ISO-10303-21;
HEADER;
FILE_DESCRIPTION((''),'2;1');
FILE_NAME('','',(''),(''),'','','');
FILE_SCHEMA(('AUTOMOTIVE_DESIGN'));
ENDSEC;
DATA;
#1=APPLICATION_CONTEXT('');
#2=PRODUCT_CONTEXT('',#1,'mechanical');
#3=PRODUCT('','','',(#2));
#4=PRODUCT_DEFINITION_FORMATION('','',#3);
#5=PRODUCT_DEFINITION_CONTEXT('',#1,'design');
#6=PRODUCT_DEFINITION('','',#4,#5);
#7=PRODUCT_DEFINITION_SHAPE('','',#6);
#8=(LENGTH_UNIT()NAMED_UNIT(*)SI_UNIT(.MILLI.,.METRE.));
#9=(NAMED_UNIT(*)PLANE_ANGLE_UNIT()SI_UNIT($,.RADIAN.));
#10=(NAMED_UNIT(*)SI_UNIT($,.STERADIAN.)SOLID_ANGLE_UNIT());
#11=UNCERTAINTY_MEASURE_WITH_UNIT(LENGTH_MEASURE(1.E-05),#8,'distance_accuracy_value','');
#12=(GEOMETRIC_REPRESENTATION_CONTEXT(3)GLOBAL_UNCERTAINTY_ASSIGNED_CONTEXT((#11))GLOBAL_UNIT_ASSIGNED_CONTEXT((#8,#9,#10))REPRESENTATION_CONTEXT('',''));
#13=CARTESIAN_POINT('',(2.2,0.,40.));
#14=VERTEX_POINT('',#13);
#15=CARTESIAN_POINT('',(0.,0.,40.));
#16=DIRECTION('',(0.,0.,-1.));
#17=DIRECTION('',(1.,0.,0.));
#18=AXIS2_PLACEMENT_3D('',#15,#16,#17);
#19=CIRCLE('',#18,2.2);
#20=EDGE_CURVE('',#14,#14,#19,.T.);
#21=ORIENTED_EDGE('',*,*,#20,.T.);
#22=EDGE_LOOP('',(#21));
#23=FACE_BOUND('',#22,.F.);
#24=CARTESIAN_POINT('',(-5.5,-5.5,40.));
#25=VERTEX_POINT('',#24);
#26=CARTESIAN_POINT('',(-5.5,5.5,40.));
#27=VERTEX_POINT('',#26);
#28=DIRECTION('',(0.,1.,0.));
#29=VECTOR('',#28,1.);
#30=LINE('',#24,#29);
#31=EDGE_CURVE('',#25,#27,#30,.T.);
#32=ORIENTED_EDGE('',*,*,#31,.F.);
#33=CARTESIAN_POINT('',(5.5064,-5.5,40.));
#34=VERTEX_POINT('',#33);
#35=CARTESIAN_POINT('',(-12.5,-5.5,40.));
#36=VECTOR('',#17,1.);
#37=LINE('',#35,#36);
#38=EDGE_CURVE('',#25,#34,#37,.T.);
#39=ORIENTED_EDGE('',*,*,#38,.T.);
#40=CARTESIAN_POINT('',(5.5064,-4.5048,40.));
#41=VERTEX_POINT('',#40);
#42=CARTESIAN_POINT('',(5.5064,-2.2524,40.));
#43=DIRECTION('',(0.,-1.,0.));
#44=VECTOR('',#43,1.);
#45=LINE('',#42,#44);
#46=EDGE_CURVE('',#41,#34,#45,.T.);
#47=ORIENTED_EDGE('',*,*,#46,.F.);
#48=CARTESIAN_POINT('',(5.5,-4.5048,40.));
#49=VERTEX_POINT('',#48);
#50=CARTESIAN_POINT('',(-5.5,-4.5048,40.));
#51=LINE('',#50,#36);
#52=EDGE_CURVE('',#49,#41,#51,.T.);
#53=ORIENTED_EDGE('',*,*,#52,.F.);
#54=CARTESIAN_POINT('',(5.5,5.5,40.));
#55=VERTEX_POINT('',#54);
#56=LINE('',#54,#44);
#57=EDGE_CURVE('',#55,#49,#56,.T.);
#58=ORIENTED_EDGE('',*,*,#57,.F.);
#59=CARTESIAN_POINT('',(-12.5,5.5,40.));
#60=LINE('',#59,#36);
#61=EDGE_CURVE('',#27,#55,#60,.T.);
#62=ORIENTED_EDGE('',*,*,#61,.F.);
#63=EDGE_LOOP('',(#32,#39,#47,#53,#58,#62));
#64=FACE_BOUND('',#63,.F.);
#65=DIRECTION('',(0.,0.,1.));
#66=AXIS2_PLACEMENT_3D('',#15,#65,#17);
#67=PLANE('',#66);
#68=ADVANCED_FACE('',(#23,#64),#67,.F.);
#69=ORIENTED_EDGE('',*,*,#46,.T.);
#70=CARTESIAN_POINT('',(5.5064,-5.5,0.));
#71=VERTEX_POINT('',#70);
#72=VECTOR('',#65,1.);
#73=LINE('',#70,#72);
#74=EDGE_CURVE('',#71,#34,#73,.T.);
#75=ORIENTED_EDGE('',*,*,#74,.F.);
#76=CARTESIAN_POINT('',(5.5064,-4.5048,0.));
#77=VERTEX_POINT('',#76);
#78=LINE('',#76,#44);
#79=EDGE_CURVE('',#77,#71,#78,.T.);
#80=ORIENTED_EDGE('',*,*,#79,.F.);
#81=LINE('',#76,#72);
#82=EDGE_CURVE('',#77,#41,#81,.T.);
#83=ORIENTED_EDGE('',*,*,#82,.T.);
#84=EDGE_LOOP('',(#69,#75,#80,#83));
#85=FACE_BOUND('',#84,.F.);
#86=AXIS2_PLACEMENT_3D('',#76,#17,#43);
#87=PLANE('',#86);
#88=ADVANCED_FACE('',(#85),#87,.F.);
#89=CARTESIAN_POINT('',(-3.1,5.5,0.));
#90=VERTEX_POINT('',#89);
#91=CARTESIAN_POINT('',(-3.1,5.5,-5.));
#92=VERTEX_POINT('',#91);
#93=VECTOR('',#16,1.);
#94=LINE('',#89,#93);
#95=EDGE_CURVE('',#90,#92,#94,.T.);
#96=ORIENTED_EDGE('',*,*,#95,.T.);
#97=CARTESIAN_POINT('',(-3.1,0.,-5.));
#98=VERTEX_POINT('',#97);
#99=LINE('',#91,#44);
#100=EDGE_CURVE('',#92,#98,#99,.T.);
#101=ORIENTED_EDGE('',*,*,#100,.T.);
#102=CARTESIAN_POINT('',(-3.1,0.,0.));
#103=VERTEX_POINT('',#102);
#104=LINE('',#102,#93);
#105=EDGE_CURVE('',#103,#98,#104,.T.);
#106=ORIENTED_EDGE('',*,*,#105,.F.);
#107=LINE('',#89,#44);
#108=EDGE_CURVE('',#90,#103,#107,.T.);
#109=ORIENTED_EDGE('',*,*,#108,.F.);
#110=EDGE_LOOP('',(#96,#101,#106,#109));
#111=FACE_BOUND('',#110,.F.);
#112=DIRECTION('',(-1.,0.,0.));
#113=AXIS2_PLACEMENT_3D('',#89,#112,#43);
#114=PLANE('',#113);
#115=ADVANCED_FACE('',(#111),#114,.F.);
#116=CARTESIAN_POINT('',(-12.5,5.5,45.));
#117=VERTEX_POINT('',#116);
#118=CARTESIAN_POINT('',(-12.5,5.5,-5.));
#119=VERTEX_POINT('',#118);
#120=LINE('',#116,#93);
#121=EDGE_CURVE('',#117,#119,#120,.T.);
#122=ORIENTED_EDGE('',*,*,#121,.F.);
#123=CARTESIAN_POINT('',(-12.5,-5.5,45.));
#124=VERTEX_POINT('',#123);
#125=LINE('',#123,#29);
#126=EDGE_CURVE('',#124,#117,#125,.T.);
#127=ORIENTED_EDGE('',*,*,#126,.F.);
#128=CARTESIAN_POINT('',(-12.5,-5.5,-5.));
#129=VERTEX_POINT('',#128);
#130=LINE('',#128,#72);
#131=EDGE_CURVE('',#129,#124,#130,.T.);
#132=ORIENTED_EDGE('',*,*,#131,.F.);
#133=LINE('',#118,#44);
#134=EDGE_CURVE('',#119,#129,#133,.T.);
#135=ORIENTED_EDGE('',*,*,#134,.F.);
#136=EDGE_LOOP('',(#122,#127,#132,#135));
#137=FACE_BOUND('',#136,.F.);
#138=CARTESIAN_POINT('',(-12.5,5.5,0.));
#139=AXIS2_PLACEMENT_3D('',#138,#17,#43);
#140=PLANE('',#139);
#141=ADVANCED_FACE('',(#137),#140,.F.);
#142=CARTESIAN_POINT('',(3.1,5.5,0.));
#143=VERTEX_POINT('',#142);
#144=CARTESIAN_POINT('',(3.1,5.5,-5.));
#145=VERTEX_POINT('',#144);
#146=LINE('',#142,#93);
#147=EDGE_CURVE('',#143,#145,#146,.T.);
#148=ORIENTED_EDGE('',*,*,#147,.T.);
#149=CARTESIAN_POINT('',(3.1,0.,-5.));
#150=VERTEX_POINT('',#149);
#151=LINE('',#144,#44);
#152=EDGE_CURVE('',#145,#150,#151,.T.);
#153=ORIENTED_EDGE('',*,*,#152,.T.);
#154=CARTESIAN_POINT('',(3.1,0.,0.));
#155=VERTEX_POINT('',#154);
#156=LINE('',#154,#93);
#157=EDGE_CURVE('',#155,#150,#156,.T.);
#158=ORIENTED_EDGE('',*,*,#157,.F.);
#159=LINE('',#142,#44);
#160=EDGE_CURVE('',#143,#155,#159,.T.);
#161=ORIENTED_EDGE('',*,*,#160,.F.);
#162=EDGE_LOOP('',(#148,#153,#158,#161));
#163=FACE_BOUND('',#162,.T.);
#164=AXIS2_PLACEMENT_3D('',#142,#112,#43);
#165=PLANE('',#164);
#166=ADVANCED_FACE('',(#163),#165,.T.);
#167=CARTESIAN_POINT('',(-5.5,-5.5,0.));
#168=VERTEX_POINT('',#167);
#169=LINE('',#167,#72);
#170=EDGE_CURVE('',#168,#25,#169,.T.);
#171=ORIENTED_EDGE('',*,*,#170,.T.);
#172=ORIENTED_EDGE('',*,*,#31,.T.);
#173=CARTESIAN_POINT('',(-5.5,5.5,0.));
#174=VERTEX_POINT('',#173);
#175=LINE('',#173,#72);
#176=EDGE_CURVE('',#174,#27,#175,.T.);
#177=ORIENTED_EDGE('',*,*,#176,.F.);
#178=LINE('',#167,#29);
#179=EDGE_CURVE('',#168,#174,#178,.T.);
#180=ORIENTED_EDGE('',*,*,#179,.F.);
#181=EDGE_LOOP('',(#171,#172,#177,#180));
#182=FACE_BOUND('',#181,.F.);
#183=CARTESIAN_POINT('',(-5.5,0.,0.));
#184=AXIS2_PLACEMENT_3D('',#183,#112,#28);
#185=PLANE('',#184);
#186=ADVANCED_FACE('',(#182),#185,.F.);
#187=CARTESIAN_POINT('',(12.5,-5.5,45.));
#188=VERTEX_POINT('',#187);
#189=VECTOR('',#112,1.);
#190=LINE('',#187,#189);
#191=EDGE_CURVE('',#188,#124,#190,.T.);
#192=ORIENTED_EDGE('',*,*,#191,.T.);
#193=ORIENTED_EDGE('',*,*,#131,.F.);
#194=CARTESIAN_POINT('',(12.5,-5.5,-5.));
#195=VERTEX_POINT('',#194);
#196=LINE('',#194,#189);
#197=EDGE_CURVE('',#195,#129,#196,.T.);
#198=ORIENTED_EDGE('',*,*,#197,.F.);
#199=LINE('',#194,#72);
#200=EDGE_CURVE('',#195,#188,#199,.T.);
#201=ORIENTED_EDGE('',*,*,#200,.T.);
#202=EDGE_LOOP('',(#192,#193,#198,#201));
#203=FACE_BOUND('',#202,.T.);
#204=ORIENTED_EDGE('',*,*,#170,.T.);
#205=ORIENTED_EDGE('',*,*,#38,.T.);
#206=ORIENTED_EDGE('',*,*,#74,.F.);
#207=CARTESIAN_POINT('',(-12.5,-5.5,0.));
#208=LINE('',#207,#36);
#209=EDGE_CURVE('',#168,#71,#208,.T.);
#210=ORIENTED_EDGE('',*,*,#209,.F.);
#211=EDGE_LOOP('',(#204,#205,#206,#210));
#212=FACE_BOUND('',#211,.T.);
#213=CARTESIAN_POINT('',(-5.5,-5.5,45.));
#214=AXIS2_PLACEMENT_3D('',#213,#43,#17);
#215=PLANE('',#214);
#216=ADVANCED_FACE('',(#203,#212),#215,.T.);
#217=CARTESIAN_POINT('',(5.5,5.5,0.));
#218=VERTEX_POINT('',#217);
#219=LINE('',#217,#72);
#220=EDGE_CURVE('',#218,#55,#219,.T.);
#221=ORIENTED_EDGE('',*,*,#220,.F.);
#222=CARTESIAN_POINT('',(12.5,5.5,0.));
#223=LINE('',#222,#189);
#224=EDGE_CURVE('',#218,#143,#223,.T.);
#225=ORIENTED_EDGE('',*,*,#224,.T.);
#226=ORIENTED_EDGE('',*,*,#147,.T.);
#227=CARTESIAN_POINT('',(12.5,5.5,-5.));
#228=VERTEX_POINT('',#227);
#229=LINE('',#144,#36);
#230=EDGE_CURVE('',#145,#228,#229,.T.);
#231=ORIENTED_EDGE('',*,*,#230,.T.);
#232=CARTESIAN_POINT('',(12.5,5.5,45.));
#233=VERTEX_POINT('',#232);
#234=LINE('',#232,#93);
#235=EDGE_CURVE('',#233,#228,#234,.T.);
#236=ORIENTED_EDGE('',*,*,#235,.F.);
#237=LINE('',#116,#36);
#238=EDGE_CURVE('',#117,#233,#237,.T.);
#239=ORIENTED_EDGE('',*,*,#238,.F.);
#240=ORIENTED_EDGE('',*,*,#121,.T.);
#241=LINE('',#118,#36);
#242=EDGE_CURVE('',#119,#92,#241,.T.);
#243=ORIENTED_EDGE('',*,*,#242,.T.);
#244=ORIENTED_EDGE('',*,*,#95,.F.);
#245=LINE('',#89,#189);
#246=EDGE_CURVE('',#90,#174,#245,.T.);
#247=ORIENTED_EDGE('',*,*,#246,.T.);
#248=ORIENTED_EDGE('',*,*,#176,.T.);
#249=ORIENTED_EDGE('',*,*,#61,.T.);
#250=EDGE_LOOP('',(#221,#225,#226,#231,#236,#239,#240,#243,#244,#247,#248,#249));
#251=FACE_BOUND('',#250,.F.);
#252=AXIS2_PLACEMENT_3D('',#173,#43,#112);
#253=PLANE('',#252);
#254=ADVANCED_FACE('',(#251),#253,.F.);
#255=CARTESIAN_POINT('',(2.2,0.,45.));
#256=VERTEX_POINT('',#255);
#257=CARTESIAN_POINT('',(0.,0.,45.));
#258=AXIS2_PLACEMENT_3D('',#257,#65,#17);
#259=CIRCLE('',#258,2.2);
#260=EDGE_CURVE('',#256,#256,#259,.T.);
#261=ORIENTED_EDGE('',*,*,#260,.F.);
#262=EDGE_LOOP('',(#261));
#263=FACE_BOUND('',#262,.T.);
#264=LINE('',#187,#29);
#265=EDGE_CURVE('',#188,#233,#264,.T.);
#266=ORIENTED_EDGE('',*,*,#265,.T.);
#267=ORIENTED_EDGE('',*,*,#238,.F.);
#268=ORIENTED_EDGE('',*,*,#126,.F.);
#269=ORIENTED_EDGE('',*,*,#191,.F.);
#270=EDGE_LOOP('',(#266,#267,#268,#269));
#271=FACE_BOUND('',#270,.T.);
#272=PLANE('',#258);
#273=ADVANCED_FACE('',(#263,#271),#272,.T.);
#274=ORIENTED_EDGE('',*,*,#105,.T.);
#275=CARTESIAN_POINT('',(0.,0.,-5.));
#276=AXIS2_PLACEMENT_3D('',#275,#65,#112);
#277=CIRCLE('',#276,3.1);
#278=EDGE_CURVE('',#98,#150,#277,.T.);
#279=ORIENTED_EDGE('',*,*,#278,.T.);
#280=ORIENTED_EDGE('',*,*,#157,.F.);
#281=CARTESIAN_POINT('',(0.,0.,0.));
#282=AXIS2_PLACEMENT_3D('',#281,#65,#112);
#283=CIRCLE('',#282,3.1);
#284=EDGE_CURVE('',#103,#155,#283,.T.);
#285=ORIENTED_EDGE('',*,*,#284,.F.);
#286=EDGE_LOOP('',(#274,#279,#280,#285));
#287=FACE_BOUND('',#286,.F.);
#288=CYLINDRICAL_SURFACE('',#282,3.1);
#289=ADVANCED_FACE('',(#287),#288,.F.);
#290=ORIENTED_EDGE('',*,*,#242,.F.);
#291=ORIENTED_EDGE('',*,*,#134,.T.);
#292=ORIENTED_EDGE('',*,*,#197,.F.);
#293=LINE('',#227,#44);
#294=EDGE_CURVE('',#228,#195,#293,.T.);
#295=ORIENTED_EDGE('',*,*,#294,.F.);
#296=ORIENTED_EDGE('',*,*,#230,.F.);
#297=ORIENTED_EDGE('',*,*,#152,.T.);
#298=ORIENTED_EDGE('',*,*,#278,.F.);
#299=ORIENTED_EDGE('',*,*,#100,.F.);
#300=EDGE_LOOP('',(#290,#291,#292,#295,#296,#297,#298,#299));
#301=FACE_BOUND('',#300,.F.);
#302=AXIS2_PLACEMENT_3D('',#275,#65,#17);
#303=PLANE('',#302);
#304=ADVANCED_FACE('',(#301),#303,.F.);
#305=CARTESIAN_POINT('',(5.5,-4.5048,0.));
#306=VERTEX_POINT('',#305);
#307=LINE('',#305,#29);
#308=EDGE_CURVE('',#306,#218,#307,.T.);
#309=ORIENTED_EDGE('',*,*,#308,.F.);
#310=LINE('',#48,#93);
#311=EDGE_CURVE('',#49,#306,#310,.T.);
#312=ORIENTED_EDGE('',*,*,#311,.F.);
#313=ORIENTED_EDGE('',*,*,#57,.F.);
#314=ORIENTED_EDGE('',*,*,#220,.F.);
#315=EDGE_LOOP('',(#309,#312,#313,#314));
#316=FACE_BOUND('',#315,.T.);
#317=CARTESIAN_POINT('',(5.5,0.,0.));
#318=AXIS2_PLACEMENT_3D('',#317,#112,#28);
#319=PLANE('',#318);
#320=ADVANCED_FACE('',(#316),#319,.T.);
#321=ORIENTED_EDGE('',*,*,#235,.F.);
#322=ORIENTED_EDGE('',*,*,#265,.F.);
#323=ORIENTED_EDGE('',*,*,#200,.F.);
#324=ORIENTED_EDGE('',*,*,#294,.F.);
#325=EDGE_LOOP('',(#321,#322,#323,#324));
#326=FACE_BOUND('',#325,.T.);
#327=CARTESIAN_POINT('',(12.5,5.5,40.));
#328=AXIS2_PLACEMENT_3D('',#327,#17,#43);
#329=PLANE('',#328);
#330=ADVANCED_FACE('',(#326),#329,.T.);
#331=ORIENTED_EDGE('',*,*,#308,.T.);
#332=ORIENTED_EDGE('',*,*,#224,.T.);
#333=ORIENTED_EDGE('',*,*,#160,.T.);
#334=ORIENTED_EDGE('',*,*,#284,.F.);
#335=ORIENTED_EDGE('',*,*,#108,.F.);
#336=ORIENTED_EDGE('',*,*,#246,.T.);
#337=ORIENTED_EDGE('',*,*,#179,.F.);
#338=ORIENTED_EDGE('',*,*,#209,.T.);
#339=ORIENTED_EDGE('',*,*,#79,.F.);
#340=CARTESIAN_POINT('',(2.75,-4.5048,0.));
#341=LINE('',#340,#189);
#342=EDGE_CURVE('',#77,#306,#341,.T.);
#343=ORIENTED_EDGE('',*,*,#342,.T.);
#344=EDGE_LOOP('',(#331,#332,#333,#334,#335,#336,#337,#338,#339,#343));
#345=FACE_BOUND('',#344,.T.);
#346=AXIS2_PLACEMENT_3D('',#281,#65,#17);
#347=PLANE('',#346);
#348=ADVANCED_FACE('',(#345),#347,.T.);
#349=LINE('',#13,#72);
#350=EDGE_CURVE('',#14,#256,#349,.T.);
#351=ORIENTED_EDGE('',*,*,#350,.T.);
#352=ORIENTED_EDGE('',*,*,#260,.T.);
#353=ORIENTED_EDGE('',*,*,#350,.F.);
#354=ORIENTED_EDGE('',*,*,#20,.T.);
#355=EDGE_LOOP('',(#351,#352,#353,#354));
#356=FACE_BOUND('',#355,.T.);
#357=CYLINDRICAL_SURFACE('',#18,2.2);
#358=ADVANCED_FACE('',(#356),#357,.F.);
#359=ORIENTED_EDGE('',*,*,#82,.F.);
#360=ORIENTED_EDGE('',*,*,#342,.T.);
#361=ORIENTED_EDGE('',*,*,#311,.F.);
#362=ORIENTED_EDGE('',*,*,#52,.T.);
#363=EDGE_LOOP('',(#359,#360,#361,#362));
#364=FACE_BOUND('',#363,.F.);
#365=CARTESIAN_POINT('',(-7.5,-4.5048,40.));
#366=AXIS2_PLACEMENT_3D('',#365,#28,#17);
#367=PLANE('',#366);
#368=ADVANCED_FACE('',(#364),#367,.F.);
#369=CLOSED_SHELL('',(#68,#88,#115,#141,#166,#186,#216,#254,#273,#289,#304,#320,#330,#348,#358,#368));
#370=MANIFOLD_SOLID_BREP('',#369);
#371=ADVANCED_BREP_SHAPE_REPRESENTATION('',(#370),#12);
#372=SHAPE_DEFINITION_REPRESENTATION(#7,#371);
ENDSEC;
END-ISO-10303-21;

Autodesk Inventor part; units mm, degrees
ref_plane "YZ Plane" through (0, 0, 0) normal (1, 0, 0) x (0, 1, 0)
ref_plane "XZ Plane" through (0, 0, 0) normal (0, 1, 0) x (-1, 0, 0)
ref_plane "XY Plane" through (0, 0, 0) normal (0, 0, 1) x (1, 0, 0)
sketch "Sketch1" plane through (0, 0, 0) normal (0, 0, 1) x (1, 0, 0)
  arc A0 (-3.1, 0) -> (3.1, 0) centre (0, 0) ccw
  arc A1 (-5.5, 0) -> (5.5, 0) centre (0, 0) ccw
  line L0 (-3.1, 0) -> (-5.5, 0)
  line L1 (-5.5, 0) -> (-5.5, 5.5)
  line L2 (-5.5, 5.5) -> (-3.1, 5.5)
  line L3 (-3.1, 5.5) -> (-3.1, 0)
  line L4 (3.1, 0) -> (5.5, 0)
  line L5 (5.5, 0) -> (5.5, 5.5)
  line L6 (5.5, 5.5) -> (3.1, 5.5)
  line L7 (3.1, 5.5) -> (3.1, 0)
  line L8 (-5.5, 0) -> (-5.5, 5.5)
  line L9 (-5.5, 5.5) -> (-12.5, 5.5)
  line L10 (-12.5, 5.5) -> (-12.5, 0)
  line L11 (-12.5, 0) -> (-5.5, 0)
  line L12 (5.5, 0) -> (5.5, 5.5)
  line L13 (5.5, 5.5) -> (12.5, 5.5)
  line L14 (12.5, 5.5) -> (12.5, 0)
  line L15 (12.5, 0) -> (5.5, 0)
  line L16 (12.5, 0) -> (12.5, -5.5)
  line L17 (12.5, -5.5) -> (-12.5, -5.5)
  line L18 (-12.5, -5.5) -> (-12.5, 0)
  dimension "d0" = 6.2
  dimension "d1" = 11
  dimension "d2" = 7
  dimension "d3" = 7
extrude "Extr-legs" add sketch "Sketch1" along normal blind 40 contours L11 L10 L9 L1 | L5 L13 L14 L15
extrude "Extr-base" add sketch "Sketch1" against normal blind 5 contours A0 L4 A1 L0 | L0 L1 L2 L3 | L7 L6 L5 L4 | L11 L10 L9 L1 | L5 L13 L14 L15
sketch "Sketch2" plane through (0, 0, 40) normal (0, 0, 1) x (1, 0, 0)
  circle A0 centre (0, 0) radius 2.2
  circle A1 centre (0, 0) radius 4.5
  line L0 (5.5, 0) -> (12.5, 0) projected
  line L1 (-12.5, 0) -> (-5.5, 0) projected
  line L2 (-12.5, 0) -> (-12.5, 5.5)
  line L3 (-12.5, 5.5) -> (12.5, 5.5)
  line L4 (12.5, 5.5) -> (12.5, 0)
  line L5 (12.5, 0) -> (2.2, 0)
  line L6 (-2.2, 0) -> (-12.5, 0)
  line L7 (-12.5, 0) -> (-12.5, -4.5048)
  line L8 (-12.5, -4.5048) -> (12.5, -4.5048)
  line L9 (12.5, -4.5048) -> (12.5, 0)
  line L10 (12.5, 0) -> (5.5, 0) projected
  line L11 (12.5, 0) -> (3.5, 0)
  line L12 (3.5, 0) -> (3.5, -4.5048)
  line L13 (3.5, -4.5048) -> (12.5, -4.5048)
  line L14 (12.5, -4.5048) -> (12.5, 0)
  line L15 (-12.5, 0) -> (-7.5, 0)
  line L16 (-7.5, 0) -> (-7.5, -4.5048)
  line L17 (-7.5, -4.5048) -> (-12.5, -4.5048)
  line L18 (-12.5, -4.5048) -> (-12.5, 0)
  dimension "d8" = 4.4
  dimension "d9" = 9
extrude "Extr-top" add sketch "Sketch2" along normal blind 5 contours L5 L12 A1 L6 A0 | A0 L6 A1 L5 | L5 A1 L12 | L6 L1 L2 L3 L4 L0 L5 A1 | A1 L12 L8 L16 L1 L6 | L5 L0 L9 L8 L12 A1 | L16 L8 L7 L1
extrude "Extrusion4" add sketch "Sketch1" against normal up to surface (5 mm away) contours A1 L17 L18 L11 | L15 L16 L17 A1
sketch "Sketch3" plane through (0, 0, 40) normal (0, 0, -1) x (-1, 0, 0)
  line L0 (-5.5, 0) -> (-12.5, 0) projected
  line L1 (-12.5, -4.5048) -> (-12.5, 0) projected
  line L2 (12.5, -4.5048) -> (-12.5, -4.5048) projected
  line L3 (12.5, 0) -> (12.5, -4.5048) projected
  line L4 (12.5, 0) -> (5.5, 0) projected
  line L5 (5.5, 0) -> (5.5, 5.5) projected
  line L6 (-5.5, 5.5) -> (5.5, 5.5) projected
  line L7 (-5.5, 5.5) -> (-5.5, 0) projected
  circle A0 centre (0, 0) radius 2.2 projected
  line L8 (12.5, -4.5048) -> (-12.5, -4.5048) projected
  line L9 (-12.5, 0) -> (-5.5, 0)
  line L10 (-5.5, 0) -> (-5.5, -4.5048)
  line L11 (-5.5, -4.5048) -> (-12.5, -4.5048)
  line L12 (-12.5, -4.5048) -> (-12.5, 0)
  line L13 (12.5, 0) -> (5.5, 0) projected
  line L14 (5.5, 0) -> (12.5, 0)
  line L15 (12.5, 0) -> (12.5, -4.5048)
  line L16 (12.5, -4.5048) -> (5.5, -4.5048)
  line L17 (5.5, -4.5048) -> (5.5, 0)
extrude "Extrusion5" add sketch "Sketch3" along normal up to next contours L10 L2 L1 L0 | L17 L4 L3 L2
sketch "Sketch4" plane through (0, 0, 0) normal (0, 0, 1) x (1, 0, 0)
  line L0 (-12.5, -5.5) -> (12.5, -5.5) projected
  line L1 (-5.5, -4.5048) -> (-12.5, -4.5048) projected
  line L2 (-12.5, -5.5) -> (-5.5, -5.5)
  line L3 (-5.5, -5.5) -> (-5.5, -4.5048)
  line L4 (-5.5, -4.5048) -> (-12.5, -4.5048)
  line L5 (-12.5, -4.5048) -> (-12.5, -5.5)
  line L6 (12.5, -4.5048) -> (5.5, -4.5048) projected
  line L7 (-12.5, -5.5) -> (12.5, -5.5) projected
  line L8 (12.5, -4.5048) -> (5.5064, -4.5048)
  line L9 (5.5064, -4.5048) -> (5.5064, -5.5)
  line L10 (5.5064, -5.5) -> (12.5, -5.5)
  line L11 (12.5, -5.5) -> (12.5, -4.5048)
  point P0 (0, 0)
extrude "Extrusion6" add sketch "Sketch4" along normal up to surface (45 mm away)
sketch "Sketch5" plane through (0, 0, 45) normal (0, 0, 1) x (1, 0, 0)
  line L0 (-5.5, -4.5048) -> (5.5, -4.5048) projected
  line L1 (-12.5, -5.5) -> (12.5, -5.5) projected
  line L2 (-5.5, -4.5048) -> (5.516, -4.5048)
  line L3 (5.516, -4.5048) -> (5.516, -5.5)
  line L4 (5.516, -5.5) -> (-5.5, -5.5)
  line L5 (-5.5, -5.5) -> (-5.5, -4.5048)
  point P0 (0, 0)
extrude "Extrusion7" add sketch "Sketch5" against normal up to surface (5 mm away)
properties part number "cage2table-mount-M4(top)-M6(bottom)"
